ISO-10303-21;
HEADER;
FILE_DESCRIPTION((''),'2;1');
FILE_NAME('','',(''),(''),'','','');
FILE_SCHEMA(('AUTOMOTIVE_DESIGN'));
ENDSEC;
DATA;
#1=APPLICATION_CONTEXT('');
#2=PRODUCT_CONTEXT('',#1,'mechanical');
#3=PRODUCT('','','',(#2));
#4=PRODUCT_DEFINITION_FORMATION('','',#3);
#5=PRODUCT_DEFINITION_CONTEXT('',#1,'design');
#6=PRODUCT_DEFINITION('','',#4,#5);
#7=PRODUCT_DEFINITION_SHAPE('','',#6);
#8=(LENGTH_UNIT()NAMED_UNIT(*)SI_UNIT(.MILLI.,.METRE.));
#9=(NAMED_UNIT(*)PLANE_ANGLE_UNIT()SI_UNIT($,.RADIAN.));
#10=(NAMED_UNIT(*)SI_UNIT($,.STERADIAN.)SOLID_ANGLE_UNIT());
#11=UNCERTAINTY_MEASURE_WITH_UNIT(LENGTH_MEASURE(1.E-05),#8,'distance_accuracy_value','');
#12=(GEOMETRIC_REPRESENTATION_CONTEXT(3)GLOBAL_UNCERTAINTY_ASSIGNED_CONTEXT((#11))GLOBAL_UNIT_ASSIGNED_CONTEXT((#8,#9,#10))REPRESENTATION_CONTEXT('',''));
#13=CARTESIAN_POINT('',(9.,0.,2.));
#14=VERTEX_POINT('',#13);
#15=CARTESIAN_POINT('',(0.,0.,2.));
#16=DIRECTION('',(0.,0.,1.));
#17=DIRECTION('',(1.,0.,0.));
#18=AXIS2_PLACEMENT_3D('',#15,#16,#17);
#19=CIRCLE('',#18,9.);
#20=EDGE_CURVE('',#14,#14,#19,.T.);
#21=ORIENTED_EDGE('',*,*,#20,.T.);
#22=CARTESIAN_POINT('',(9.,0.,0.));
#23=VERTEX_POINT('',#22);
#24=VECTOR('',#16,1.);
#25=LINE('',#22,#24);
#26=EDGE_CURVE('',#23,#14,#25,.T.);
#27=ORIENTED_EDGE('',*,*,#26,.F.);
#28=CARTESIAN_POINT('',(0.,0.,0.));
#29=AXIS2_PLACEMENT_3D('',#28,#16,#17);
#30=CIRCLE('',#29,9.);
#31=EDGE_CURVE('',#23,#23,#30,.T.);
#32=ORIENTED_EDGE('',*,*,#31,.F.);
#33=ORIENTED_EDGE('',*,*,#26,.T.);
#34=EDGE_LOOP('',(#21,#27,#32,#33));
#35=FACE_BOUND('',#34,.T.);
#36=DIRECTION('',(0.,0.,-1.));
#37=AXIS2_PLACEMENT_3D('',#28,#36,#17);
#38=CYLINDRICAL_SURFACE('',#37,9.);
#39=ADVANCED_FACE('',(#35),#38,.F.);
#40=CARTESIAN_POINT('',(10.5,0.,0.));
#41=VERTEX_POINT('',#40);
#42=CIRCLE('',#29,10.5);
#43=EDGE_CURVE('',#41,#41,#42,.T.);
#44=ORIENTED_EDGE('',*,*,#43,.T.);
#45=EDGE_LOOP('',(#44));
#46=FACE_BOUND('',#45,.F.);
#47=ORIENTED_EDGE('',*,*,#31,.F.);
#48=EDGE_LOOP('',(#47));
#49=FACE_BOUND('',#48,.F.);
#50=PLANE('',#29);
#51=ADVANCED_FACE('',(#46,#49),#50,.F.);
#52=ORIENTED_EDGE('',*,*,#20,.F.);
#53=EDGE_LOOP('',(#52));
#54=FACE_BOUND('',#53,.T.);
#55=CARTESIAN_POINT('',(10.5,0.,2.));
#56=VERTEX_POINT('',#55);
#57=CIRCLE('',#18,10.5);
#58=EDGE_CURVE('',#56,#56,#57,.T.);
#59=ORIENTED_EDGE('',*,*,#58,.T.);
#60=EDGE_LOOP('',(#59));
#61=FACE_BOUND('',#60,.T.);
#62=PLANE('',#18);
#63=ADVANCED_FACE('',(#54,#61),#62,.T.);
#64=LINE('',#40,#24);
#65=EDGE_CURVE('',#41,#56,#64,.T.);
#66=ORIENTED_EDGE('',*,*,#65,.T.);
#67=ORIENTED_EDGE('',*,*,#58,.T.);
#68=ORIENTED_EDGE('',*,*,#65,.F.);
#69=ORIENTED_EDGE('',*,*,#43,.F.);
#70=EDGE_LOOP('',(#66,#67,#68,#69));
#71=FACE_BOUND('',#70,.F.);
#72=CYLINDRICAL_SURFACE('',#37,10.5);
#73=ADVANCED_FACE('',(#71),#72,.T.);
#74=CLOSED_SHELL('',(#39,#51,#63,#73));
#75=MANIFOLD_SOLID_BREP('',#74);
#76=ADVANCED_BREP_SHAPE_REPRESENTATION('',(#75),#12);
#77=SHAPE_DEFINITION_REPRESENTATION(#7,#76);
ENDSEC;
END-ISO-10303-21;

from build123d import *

# Parameters (mm, degrees)
SKETCH_R   = 10.5
SKETCH_R_2 = 9
PAD_DEPTH  = 2


with BuildPart() as part:
    # Sketch → Pad (new body)
    with BuildSketch(Plane.XY):
        Circle(SKETCH_R)
        Circle(SKETCH_R_2, mode=Mode.SUBTRACT)
    extrude(amount=PAD_DEPTH)


solid = part.part
